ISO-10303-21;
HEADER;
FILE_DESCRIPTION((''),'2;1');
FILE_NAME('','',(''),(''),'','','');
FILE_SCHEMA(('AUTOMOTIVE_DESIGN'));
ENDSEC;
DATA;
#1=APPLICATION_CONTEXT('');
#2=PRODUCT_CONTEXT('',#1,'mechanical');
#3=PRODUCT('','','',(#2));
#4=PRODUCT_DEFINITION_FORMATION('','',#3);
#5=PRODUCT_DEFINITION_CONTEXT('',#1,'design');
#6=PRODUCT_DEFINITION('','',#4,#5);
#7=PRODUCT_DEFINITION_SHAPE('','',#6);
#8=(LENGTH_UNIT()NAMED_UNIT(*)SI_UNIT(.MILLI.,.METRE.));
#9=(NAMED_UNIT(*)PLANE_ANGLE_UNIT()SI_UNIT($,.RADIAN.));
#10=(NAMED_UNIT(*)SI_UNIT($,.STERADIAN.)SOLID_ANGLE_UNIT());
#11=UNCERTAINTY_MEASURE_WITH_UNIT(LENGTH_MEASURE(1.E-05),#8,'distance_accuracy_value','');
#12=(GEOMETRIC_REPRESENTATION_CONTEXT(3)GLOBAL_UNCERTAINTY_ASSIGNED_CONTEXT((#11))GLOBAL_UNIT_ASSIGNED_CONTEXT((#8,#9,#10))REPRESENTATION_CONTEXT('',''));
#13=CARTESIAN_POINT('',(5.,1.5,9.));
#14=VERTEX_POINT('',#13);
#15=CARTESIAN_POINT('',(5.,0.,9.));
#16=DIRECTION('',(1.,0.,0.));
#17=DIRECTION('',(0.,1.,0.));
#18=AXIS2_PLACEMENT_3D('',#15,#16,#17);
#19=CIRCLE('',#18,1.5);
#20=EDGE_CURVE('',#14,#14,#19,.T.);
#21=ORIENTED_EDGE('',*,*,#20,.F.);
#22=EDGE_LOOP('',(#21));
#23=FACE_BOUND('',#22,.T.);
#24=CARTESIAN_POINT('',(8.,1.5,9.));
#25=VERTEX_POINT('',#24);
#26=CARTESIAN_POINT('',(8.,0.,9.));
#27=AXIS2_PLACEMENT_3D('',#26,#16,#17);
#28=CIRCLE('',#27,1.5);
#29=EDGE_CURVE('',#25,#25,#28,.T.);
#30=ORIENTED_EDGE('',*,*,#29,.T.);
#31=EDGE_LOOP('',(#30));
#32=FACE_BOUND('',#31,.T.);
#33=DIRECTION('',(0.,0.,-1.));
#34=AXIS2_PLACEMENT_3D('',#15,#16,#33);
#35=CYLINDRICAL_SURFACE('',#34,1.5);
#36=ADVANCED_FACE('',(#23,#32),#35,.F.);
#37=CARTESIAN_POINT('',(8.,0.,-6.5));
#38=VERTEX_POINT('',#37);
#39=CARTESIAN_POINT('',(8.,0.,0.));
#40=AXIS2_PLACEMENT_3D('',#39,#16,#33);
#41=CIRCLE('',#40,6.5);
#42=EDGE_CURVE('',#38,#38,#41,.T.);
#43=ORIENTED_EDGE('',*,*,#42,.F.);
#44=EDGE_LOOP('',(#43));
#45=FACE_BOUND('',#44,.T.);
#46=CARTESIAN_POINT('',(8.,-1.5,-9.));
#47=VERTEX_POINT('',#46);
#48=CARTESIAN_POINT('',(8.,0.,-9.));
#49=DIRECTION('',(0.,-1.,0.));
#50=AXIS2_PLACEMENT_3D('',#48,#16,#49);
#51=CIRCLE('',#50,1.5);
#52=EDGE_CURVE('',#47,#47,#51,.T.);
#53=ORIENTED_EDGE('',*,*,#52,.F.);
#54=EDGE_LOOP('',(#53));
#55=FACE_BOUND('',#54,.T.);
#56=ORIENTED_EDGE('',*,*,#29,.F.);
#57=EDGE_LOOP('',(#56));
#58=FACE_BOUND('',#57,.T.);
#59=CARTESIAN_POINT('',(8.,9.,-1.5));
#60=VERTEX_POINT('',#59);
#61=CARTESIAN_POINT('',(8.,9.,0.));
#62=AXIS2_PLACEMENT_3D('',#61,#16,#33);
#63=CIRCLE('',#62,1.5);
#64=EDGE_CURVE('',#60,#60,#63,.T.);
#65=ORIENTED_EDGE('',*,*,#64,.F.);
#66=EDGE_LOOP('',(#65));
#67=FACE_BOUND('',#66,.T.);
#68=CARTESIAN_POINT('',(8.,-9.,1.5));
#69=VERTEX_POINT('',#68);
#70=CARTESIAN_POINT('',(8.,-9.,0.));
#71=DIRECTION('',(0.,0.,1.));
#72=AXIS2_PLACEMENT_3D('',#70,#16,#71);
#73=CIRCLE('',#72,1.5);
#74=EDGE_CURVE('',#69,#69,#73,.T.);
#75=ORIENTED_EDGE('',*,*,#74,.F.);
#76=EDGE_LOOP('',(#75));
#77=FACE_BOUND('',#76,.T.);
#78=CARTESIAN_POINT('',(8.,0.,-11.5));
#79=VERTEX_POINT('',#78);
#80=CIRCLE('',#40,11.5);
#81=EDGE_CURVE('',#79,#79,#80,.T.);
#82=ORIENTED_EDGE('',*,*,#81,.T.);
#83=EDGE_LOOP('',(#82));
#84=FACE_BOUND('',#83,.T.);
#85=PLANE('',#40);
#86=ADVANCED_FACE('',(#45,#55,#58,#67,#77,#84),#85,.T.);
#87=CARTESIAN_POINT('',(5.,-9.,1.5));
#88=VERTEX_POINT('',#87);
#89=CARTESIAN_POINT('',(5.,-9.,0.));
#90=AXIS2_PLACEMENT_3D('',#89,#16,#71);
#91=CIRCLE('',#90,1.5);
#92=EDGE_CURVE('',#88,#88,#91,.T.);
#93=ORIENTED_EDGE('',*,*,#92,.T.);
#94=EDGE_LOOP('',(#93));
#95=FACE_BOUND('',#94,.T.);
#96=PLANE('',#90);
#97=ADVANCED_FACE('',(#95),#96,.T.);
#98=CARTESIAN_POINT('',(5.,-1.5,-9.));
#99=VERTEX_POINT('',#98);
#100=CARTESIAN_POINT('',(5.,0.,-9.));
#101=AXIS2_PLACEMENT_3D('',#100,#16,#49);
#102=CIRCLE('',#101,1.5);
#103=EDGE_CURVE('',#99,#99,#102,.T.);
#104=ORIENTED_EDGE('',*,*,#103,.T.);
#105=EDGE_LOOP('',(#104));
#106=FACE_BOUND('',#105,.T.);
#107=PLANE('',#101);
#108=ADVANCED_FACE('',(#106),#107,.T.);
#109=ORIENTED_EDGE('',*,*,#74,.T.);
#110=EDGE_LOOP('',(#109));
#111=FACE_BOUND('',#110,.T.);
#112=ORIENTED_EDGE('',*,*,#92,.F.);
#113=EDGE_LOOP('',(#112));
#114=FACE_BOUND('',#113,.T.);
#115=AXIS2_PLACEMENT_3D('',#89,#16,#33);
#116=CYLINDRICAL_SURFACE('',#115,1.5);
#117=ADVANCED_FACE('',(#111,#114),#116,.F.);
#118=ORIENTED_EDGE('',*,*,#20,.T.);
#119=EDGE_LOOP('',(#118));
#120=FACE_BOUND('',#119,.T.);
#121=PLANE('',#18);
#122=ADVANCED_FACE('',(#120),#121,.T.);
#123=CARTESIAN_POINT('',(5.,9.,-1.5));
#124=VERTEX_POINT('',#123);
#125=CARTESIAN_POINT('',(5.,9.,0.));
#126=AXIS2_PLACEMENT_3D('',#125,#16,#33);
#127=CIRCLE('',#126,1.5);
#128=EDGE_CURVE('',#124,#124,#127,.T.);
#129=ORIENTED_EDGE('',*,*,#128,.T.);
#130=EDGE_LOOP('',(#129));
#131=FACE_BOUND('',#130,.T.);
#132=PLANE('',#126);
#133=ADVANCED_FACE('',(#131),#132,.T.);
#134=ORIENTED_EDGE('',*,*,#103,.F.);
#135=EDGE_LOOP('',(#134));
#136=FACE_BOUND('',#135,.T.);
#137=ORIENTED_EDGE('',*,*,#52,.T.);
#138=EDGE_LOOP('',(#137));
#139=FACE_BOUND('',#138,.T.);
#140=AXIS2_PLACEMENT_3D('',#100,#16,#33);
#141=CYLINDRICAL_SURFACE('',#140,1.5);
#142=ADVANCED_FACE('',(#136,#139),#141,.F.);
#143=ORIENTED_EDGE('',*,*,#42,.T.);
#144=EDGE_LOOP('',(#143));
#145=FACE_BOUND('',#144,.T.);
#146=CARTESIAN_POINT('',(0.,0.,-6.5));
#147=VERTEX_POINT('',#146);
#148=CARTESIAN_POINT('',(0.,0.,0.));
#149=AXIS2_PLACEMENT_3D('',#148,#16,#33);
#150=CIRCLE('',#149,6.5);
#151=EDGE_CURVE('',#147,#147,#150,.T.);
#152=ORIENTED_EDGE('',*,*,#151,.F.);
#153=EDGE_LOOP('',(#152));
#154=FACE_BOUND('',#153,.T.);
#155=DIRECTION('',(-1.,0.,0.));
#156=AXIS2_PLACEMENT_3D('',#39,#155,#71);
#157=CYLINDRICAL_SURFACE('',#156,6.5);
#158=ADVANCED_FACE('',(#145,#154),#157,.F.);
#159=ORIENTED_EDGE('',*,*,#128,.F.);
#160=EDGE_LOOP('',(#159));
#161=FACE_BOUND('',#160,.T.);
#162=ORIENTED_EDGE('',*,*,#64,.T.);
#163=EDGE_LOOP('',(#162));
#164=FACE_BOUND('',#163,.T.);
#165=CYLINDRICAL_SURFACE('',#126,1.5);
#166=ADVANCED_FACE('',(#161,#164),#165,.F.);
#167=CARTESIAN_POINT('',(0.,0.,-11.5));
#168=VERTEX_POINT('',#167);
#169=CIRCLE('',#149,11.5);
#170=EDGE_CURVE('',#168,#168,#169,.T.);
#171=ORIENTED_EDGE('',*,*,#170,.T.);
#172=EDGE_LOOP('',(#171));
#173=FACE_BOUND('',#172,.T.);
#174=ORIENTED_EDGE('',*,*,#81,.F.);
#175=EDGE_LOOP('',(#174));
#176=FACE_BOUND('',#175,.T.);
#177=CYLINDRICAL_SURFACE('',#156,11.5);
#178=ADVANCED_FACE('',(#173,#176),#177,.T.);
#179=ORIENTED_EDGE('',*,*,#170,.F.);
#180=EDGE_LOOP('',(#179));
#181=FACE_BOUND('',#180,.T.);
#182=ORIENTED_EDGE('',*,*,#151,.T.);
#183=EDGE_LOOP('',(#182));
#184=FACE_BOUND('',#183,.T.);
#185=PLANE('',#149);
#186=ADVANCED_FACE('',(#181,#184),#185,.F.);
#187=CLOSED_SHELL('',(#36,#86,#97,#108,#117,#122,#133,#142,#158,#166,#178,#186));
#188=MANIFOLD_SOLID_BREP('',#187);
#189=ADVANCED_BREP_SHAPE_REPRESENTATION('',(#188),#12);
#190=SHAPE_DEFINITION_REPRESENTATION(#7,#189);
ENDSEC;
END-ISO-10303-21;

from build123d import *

# Parameters (mm, degrees)
SKETCH_1_R               = 11.5
SKETCH_1_R_2             = 6.5
EXTRUDE_1_DEPTH          = 8
SKETCH_2_R               = 1.5
CUT_EXTRUDE_2_DEPTH      = 3
PATTERN_CIRCULAR_1_COUNT = 4


with BuildPart() as part:
    # 草图1 → 拉伸1 (new body)
    with BuildSketch(Plane(origin=(0, 0, 0), x_dir=(0, 0, -1), z_dir=(1, 0, 0))):
        Circle(SKETCH_1_R)
        Circle(SKETCH_1_R_2, mode=Mode.SUBTRACT)
    extrude(amount=EXTRUDE_1_DEPTH)

    # 草图2 → 拉伸2 (cut)
    with BuildSketch(Plane(origin=(8, 0, 0), x_dir=(0, 0, -1), z_dir=(1, 0, 0))):
        with Locations((0, 9)):
            Circle(SKETCH_2_R)
    cut_extrude_2 = extrude(amount=-CUT_EXTRUDE_2_DEPTH, mode=Mode.SUBTRACT)

    # 阵列(圆周)1: 拉伸2 ×4 about axis
    pattern_circular_1_axis = Axis((0, 0, 0), (1, 0, 0))
    for i in range(1, PATTERN_CIRCULAR_1_COUNT):
        add(cut_extrude_2.rotate(pattern_circular_1_axis, i * 360 / PATTERN_CIRCULAR_1_COUNT), mode=Mode.SUBTRACT)


solid = part.part
